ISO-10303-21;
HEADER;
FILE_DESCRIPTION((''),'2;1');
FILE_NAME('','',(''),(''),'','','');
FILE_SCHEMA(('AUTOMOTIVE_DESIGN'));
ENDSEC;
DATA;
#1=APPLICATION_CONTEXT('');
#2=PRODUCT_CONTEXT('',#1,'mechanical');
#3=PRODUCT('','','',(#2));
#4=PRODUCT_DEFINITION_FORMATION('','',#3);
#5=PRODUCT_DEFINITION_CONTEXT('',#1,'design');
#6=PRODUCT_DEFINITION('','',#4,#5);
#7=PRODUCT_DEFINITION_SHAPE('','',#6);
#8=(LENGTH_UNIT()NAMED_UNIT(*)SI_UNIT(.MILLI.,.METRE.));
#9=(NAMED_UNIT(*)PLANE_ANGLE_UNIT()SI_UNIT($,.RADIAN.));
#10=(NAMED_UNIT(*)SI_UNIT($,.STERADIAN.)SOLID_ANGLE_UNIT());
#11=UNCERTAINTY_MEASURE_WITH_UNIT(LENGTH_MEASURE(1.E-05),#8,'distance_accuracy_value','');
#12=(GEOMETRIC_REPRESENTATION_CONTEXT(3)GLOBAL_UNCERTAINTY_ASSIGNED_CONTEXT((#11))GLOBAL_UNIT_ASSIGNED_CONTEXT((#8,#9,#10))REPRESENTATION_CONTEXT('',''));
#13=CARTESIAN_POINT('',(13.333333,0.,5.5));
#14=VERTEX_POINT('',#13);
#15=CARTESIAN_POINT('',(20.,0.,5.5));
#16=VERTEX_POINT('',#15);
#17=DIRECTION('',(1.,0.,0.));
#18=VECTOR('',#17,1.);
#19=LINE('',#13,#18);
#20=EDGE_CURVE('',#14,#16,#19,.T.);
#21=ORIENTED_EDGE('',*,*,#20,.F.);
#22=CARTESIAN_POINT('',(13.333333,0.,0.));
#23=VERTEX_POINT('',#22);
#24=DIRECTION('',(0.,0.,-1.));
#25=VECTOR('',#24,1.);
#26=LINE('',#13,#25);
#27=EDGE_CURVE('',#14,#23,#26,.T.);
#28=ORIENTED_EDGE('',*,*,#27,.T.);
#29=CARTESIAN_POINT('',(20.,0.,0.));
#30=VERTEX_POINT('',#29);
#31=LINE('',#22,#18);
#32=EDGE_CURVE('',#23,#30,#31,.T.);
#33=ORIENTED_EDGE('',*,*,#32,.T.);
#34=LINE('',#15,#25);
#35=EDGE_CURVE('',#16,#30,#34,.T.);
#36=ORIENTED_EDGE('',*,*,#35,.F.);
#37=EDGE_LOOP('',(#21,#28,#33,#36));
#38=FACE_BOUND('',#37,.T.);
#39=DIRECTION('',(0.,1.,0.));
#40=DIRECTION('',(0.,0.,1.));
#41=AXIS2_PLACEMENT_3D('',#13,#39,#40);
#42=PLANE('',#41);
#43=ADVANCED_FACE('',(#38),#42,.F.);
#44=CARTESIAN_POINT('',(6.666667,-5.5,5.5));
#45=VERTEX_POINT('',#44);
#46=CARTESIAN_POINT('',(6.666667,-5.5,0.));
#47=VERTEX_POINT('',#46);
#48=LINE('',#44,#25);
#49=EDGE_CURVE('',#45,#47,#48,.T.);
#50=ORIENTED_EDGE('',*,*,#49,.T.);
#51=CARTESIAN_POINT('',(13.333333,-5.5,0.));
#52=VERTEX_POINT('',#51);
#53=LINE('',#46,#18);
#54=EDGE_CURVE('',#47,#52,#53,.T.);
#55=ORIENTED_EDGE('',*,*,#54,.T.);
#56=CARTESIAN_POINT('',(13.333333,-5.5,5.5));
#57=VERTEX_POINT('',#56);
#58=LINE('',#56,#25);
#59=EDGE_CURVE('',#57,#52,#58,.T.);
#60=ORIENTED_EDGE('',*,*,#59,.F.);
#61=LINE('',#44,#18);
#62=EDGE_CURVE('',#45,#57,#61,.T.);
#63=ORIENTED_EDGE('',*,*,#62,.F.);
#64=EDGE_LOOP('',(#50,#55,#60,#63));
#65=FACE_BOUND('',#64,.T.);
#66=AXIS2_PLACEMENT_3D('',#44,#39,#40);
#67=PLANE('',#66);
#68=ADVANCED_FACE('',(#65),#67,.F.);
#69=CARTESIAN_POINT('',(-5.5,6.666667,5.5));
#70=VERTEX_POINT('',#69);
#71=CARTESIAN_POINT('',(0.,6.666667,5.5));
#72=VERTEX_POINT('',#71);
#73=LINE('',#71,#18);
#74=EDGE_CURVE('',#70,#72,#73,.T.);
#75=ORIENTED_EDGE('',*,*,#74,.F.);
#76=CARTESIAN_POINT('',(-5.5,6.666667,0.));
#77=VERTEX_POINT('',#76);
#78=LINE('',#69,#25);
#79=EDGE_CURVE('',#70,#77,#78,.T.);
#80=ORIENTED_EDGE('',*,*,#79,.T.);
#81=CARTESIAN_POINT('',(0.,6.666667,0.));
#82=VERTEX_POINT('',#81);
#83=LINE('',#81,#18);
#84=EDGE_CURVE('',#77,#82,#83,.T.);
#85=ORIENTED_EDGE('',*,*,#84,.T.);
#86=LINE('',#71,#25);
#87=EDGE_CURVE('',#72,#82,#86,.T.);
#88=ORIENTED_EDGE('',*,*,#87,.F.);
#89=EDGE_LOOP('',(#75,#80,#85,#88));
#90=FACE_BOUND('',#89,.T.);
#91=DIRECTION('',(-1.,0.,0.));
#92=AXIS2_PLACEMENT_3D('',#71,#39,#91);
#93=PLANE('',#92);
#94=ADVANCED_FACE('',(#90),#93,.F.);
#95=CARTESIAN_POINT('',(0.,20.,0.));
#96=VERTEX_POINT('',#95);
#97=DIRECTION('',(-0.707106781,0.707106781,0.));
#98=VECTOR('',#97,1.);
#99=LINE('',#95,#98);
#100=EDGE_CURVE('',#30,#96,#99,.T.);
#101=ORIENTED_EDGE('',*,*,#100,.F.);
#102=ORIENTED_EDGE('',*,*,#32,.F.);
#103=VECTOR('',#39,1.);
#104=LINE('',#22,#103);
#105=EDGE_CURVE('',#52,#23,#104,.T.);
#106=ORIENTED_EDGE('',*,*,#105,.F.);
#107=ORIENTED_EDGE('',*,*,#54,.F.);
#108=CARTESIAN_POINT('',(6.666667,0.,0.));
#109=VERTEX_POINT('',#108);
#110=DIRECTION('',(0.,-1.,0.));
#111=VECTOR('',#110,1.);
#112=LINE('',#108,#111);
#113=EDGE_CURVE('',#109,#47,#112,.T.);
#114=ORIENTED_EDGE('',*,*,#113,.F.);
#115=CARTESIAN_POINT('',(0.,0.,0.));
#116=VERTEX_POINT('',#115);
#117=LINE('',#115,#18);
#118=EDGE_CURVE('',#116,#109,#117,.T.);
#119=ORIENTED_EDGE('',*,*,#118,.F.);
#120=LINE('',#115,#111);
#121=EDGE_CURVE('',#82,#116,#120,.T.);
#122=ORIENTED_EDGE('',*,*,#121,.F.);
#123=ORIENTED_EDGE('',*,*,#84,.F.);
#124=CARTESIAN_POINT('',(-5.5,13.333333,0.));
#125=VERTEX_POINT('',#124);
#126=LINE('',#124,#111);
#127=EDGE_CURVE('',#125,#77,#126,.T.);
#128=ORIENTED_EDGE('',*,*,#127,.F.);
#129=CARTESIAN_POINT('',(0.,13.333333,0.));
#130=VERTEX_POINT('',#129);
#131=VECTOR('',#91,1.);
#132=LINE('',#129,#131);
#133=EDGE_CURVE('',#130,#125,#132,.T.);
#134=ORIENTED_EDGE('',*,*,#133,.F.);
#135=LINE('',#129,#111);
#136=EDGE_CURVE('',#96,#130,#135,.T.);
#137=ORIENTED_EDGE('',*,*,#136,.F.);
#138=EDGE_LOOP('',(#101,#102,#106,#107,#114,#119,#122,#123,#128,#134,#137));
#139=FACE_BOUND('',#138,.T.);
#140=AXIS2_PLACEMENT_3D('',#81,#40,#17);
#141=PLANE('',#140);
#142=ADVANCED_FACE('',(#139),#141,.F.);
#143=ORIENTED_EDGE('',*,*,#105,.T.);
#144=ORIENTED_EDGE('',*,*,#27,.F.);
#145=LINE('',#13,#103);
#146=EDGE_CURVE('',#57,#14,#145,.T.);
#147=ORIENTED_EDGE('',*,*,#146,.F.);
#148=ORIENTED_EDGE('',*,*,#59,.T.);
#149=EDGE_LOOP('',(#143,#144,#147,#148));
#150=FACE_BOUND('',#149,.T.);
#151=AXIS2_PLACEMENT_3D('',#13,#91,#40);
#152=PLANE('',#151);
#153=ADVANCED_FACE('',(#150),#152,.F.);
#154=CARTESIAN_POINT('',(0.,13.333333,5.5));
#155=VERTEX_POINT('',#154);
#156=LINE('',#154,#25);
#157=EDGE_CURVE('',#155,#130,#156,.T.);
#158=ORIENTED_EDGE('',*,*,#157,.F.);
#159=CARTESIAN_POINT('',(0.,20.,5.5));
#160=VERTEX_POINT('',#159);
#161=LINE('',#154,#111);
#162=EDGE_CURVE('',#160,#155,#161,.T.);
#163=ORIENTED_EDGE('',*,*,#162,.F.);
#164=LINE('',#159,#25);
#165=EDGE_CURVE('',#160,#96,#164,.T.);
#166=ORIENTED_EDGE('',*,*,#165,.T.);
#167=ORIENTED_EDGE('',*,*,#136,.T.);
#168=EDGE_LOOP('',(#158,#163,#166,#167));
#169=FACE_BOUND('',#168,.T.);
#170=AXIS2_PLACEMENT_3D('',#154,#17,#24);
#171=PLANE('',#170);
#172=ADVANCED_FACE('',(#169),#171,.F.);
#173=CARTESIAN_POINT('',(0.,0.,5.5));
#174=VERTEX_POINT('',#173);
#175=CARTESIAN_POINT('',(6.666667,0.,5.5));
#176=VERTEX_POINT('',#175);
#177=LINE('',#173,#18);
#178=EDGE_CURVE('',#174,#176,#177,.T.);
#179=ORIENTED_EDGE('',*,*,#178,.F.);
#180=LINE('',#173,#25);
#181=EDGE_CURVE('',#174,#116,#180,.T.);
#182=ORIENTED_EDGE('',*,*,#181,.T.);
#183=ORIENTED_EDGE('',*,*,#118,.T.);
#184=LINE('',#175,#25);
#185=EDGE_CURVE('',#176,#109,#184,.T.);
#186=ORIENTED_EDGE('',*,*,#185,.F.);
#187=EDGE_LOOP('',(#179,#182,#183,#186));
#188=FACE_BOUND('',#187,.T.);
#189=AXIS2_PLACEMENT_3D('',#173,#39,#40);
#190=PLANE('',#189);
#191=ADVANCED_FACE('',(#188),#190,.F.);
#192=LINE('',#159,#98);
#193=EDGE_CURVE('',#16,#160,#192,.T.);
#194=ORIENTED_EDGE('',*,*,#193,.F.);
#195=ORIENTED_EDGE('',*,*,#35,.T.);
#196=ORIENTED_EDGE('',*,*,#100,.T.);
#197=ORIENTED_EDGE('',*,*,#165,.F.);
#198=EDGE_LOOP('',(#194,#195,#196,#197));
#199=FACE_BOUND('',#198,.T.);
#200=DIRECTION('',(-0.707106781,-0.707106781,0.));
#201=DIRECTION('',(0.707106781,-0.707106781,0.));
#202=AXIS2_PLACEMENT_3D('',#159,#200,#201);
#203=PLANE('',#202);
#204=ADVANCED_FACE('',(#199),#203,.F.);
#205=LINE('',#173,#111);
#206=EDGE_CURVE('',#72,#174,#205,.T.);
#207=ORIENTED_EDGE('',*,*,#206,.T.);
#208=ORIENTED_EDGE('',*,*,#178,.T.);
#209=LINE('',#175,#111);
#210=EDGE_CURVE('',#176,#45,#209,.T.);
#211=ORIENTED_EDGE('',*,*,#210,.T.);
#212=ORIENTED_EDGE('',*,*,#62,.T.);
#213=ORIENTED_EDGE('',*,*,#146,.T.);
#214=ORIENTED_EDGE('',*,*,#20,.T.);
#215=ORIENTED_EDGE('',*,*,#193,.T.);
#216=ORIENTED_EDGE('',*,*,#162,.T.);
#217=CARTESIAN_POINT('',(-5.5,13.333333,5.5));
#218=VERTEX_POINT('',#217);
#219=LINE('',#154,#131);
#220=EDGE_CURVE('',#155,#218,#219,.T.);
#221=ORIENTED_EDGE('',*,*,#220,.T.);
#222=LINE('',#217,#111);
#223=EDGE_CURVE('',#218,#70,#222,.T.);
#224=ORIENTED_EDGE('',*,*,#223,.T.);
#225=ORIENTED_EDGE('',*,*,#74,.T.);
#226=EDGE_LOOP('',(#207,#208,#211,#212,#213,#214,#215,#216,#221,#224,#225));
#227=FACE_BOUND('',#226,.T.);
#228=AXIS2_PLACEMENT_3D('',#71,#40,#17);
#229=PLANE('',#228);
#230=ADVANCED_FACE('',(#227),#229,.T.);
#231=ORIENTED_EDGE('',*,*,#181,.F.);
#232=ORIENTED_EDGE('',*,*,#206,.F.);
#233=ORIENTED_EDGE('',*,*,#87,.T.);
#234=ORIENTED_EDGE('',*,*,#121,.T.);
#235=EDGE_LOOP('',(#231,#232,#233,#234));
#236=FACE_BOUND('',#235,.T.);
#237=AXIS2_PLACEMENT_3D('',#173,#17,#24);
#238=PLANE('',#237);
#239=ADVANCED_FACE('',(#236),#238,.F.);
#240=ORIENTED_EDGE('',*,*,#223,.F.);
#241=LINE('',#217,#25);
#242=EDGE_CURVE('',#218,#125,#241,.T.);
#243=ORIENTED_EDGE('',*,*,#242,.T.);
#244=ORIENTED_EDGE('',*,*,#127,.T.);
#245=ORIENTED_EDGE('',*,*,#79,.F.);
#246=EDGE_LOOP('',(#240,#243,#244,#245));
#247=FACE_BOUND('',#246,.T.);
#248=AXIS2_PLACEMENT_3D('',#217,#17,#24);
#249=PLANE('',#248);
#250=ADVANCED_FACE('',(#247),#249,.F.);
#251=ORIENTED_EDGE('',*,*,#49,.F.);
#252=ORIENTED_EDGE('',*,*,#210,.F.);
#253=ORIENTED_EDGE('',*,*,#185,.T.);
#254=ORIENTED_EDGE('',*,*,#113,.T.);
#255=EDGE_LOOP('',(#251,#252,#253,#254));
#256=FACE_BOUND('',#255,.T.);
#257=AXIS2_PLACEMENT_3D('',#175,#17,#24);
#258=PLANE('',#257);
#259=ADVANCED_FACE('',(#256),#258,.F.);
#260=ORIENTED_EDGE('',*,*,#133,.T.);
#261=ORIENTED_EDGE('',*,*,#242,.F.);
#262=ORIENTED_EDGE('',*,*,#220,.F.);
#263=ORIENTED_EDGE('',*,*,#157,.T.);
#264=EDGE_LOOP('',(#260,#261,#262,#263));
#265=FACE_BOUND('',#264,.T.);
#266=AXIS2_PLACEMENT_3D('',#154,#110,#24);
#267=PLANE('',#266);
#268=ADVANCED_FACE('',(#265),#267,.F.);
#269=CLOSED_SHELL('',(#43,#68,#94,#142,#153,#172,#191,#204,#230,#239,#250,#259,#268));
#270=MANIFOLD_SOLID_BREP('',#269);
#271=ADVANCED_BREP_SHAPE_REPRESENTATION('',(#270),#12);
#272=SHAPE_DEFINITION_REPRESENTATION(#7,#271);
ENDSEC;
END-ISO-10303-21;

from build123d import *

# Parameters (mm, degrees)
BOSS_EXTRUDE1_DEPTH = 5.5


with BuildPart() as part:
    # Sketch1 → Boss-Extrude1 (new body)
    with BuildSketch(Plane.XY):
        Polygon((0, 20), (20, 0), (13.333333333, 0), (13.333333333, -5.5), (6.666666667, -5.5), (6.666666667, 0), (0, 0), (0, 6.666666667), (-5.5, 6.666666667), (-5.5, 13.333333333), (0, 13.333333333), align=None)
    extrude(amount=BOSS_EXTRUDE1_DEPTH)


solid = part.part
